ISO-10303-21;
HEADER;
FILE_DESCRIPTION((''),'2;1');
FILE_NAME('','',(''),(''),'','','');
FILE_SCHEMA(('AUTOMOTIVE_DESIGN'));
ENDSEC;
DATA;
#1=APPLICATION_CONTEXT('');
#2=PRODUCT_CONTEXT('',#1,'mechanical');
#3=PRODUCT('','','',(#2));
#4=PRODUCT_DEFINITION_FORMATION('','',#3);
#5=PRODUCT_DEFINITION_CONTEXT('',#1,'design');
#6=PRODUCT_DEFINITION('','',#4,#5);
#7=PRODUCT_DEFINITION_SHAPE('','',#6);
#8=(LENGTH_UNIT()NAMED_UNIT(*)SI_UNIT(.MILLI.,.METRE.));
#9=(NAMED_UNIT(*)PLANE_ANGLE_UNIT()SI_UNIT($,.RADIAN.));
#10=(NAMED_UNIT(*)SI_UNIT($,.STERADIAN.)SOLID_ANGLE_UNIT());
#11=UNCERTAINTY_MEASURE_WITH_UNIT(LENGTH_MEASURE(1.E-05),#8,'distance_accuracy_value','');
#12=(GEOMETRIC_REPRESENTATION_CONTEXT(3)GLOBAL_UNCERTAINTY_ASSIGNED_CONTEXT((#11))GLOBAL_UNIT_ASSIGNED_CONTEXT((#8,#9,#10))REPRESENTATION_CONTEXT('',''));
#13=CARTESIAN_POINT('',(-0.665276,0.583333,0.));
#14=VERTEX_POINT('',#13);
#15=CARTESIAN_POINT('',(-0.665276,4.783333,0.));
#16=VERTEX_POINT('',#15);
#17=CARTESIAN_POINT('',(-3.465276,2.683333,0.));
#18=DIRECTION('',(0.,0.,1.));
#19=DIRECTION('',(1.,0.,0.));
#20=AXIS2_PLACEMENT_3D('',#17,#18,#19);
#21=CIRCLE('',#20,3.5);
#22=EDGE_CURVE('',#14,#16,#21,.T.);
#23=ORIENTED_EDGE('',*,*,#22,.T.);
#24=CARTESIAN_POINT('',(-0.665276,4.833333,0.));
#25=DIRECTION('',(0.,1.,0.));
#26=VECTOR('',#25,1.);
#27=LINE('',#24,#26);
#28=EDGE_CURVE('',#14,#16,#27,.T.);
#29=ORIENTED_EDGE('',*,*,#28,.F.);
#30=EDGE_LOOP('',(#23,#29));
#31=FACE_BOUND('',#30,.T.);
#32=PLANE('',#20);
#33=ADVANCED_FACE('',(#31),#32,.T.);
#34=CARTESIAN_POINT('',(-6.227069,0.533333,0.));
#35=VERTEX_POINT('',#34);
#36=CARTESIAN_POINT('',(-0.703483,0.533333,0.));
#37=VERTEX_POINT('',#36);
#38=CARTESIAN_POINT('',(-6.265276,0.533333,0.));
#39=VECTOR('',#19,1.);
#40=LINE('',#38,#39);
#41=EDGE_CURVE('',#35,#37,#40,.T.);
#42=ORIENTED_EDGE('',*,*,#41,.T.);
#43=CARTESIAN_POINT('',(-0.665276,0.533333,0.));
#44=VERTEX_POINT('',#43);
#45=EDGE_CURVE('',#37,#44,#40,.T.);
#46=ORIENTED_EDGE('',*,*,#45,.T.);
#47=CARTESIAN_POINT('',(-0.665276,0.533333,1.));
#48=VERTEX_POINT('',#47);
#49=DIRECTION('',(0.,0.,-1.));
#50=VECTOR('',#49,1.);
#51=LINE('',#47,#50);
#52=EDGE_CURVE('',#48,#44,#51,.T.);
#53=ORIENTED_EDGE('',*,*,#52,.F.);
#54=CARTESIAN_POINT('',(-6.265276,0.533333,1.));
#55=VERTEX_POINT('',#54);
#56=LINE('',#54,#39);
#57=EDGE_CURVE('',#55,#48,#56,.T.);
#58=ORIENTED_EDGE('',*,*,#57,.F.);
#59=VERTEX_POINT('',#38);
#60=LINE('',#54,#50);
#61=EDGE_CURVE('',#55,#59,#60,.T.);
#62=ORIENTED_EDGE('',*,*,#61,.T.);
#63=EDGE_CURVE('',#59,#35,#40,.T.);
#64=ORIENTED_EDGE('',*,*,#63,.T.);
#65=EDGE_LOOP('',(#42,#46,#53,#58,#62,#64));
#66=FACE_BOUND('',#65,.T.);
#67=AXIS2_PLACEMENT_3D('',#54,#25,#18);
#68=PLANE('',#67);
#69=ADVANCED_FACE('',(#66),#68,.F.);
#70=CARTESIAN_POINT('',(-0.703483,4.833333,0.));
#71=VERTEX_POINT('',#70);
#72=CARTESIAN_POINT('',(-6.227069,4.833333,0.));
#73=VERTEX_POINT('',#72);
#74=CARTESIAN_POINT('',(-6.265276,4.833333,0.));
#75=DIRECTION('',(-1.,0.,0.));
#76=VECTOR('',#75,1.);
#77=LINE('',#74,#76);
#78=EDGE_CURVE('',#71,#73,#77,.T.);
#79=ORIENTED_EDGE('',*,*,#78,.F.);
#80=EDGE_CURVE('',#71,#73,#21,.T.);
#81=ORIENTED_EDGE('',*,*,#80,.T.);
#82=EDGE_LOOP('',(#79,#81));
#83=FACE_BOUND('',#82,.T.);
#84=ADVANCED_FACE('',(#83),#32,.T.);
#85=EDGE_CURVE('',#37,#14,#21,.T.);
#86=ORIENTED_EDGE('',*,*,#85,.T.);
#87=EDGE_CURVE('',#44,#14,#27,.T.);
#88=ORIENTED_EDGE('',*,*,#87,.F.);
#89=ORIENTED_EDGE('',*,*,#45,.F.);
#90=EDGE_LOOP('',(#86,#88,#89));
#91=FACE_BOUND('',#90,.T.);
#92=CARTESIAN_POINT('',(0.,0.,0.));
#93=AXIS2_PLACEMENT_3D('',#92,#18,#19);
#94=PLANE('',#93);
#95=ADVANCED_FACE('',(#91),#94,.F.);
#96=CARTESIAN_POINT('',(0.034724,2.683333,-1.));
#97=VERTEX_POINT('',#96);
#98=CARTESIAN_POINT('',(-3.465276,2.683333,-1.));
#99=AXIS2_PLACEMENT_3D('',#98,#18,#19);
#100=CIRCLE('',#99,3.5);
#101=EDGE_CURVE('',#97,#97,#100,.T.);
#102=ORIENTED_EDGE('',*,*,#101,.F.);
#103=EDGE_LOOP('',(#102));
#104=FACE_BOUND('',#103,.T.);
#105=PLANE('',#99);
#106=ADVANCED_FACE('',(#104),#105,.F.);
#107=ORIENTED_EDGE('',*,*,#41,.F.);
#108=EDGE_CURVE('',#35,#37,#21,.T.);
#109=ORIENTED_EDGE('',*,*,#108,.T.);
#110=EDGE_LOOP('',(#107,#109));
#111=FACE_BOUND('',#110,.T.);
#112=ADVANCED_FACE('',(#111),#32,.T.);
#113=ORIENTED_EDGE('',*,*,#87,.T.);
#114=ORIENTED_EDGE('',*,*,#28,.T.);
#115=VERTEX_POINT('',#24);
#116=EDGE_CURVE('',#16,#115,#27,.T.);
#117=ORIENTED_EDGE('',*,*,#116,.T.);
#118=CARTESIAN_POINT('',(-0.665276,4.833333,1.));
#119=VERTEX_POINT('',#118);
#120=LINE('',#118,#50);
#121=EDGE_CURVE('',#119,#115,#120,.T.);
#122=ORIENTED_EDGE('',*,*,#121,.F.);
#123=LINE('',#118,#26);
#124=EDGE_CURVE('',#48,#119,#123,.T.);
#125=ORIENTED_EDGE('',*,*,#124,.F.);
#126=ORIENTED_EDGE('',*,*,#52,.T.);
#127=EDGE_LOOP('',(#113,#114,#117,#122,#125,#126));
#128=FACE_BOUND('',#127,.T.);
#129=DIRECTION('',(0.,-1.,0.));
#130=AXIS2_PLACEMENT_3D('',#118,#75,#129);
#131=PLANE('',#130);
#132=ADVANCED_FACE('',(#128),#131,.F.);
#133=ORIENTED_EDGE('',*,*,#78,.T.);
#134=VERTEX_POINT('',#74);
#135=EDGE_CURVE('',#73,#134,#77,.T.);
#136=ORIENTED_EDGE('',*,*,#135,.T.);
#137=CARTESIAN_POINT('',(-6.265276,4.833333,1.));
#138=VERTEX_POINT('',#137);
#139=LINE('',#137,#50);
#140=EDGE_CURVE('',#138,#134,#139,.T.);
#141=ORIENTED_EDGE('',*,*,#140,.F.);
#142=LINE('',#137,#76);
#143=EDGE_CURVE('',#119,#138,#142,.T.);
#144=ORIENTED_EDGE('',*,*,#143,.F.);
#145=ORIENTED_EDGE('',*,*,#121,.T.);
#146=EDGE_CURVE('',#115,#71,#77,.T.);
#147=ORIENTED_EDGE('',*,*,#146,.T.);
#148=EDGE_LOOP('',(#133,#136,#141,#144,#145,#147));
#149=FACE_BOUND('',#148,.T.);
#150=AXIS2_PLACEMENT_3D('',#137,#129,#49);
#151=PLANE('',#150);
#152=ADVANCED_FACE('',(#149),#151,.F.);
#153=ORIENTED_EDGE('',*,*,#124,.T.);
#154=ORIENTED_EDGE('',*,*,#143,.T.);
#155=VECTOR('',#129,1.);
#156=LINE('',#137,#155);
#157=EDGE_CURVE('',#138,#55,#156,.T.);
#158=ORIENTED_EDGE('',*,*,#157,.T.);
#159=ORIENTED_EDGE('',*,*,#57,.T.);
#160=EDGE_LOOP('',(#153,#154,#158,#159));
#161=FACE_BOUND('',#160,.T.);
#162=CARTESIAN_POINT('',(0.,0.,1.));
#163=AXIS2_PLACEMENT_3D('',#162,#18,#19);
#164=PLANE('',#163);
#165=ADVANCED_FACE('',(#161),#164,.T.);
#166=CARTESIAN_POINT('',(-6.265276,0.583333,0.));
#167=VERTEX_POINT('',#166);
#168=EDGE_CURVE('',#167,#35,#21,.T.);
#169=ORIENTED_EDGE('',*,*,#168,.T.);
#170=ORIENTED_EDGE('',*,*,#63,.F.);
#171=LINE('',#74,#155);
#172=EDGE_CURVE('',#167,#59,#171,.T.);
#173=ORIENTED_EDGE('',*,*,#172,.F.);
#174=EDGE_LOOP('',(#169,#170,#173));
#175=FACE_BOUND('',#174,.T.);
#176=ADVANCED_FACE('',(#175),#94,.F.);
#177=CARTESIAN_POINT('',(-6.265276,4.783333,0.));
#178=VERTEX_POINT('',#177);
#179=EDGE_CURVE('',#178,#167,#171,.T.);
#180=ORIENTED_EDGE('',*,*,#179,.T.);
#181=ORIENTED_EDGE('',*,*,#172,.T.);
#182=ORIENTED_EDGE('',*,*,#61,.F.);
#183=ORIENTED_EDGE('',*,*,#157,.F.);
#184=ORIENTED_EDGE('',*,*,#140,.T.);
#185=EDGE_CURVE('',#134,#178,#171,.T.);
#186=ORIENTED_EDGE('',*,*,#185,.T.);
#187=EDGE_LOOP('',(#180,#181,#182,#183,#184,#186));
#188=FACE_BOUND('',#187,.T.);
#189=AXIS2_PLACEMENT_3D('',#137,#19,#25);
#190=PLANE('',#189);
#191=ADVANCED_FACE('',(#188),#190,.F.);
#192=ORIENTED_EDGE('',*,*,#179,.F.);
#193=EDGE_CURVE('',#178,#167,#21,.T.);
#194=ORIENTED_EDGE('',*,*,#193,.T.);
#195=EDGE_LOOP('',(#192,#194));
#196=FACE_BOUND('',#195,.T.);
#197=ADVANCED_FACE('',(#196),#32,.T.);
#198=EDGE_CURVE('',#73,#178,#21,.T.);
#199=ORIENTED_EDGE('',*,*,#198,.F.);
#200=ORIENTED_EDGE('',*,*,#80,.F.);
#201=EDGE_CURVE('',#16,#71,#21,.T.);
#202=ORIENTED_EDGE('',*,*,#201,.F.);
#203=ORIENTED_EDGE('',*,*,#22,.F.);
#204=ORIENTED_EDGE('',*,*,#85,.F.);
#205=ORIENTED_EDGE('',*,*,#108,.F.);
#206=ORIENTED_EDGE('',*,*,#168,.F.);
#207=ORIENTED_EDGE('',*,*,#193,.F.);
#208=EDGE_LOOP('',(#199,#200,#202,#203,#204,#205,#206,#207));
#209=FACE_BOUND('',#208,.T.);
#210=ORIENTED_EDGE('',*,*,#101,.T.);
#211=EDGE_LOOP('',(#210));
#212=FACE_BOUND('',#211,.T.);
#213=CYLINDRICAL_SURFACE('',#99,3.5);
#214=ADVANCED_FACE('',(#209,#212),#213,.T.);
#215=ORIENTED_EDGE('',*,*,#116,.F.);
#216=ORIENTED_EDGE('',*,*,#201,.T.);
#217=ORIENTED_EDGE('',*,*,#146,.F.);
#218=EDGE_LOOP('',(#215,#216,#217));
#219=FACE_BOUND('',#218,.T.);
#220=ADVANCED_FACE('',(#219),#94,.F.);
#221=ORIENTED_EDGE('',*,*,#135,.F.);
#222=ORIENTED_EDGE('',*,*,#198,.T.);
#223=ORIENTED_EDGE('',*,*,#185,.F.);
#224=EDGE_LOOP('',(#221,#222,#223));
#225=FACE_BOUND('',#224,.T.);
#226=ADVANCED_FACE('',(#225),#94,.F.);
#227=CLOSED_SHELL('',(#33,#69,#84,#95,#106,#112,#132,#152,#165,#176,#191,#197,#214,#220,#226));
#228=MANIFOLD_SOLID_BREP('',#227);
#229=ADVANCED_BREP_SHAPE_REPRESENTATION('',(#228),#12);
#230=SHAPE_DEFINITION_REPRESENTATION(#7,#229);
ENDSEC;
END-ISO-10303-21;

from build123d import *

# Parameters (mm, degrees)
ESQUISSE1_W        = 5.6
ESQUISSE1_H        = 4.3
BOSS_EXTRU_1_DEPTH = 1
ESQUISSE2_R        = 3.5
BOSS_EXTRU_2_DEPTH = 1


with BuildPart() as part:
    # Esquisse1 → Boss.-Extru.1 (new body)
    with BuildSketch(Plane.XY):
        with Locations((-3.465276253, 2.683333333)):
            Rectangle(ESQUISSE1_W, ESQUISSE1_H)
    extrude(amount=BOSS_EXTRU_1_DEPTH)

    # Esquisse2 → Boss.-Extru.2 (add)
    with BuildSketch(Plane.XY):
        with Locations((-3.465276253, 2.683333333)):
            Circle(ESQUISSE2_R)
    extrude(amount=-BOSS_EXTRU_2_DEPTH)


solid = part.part
